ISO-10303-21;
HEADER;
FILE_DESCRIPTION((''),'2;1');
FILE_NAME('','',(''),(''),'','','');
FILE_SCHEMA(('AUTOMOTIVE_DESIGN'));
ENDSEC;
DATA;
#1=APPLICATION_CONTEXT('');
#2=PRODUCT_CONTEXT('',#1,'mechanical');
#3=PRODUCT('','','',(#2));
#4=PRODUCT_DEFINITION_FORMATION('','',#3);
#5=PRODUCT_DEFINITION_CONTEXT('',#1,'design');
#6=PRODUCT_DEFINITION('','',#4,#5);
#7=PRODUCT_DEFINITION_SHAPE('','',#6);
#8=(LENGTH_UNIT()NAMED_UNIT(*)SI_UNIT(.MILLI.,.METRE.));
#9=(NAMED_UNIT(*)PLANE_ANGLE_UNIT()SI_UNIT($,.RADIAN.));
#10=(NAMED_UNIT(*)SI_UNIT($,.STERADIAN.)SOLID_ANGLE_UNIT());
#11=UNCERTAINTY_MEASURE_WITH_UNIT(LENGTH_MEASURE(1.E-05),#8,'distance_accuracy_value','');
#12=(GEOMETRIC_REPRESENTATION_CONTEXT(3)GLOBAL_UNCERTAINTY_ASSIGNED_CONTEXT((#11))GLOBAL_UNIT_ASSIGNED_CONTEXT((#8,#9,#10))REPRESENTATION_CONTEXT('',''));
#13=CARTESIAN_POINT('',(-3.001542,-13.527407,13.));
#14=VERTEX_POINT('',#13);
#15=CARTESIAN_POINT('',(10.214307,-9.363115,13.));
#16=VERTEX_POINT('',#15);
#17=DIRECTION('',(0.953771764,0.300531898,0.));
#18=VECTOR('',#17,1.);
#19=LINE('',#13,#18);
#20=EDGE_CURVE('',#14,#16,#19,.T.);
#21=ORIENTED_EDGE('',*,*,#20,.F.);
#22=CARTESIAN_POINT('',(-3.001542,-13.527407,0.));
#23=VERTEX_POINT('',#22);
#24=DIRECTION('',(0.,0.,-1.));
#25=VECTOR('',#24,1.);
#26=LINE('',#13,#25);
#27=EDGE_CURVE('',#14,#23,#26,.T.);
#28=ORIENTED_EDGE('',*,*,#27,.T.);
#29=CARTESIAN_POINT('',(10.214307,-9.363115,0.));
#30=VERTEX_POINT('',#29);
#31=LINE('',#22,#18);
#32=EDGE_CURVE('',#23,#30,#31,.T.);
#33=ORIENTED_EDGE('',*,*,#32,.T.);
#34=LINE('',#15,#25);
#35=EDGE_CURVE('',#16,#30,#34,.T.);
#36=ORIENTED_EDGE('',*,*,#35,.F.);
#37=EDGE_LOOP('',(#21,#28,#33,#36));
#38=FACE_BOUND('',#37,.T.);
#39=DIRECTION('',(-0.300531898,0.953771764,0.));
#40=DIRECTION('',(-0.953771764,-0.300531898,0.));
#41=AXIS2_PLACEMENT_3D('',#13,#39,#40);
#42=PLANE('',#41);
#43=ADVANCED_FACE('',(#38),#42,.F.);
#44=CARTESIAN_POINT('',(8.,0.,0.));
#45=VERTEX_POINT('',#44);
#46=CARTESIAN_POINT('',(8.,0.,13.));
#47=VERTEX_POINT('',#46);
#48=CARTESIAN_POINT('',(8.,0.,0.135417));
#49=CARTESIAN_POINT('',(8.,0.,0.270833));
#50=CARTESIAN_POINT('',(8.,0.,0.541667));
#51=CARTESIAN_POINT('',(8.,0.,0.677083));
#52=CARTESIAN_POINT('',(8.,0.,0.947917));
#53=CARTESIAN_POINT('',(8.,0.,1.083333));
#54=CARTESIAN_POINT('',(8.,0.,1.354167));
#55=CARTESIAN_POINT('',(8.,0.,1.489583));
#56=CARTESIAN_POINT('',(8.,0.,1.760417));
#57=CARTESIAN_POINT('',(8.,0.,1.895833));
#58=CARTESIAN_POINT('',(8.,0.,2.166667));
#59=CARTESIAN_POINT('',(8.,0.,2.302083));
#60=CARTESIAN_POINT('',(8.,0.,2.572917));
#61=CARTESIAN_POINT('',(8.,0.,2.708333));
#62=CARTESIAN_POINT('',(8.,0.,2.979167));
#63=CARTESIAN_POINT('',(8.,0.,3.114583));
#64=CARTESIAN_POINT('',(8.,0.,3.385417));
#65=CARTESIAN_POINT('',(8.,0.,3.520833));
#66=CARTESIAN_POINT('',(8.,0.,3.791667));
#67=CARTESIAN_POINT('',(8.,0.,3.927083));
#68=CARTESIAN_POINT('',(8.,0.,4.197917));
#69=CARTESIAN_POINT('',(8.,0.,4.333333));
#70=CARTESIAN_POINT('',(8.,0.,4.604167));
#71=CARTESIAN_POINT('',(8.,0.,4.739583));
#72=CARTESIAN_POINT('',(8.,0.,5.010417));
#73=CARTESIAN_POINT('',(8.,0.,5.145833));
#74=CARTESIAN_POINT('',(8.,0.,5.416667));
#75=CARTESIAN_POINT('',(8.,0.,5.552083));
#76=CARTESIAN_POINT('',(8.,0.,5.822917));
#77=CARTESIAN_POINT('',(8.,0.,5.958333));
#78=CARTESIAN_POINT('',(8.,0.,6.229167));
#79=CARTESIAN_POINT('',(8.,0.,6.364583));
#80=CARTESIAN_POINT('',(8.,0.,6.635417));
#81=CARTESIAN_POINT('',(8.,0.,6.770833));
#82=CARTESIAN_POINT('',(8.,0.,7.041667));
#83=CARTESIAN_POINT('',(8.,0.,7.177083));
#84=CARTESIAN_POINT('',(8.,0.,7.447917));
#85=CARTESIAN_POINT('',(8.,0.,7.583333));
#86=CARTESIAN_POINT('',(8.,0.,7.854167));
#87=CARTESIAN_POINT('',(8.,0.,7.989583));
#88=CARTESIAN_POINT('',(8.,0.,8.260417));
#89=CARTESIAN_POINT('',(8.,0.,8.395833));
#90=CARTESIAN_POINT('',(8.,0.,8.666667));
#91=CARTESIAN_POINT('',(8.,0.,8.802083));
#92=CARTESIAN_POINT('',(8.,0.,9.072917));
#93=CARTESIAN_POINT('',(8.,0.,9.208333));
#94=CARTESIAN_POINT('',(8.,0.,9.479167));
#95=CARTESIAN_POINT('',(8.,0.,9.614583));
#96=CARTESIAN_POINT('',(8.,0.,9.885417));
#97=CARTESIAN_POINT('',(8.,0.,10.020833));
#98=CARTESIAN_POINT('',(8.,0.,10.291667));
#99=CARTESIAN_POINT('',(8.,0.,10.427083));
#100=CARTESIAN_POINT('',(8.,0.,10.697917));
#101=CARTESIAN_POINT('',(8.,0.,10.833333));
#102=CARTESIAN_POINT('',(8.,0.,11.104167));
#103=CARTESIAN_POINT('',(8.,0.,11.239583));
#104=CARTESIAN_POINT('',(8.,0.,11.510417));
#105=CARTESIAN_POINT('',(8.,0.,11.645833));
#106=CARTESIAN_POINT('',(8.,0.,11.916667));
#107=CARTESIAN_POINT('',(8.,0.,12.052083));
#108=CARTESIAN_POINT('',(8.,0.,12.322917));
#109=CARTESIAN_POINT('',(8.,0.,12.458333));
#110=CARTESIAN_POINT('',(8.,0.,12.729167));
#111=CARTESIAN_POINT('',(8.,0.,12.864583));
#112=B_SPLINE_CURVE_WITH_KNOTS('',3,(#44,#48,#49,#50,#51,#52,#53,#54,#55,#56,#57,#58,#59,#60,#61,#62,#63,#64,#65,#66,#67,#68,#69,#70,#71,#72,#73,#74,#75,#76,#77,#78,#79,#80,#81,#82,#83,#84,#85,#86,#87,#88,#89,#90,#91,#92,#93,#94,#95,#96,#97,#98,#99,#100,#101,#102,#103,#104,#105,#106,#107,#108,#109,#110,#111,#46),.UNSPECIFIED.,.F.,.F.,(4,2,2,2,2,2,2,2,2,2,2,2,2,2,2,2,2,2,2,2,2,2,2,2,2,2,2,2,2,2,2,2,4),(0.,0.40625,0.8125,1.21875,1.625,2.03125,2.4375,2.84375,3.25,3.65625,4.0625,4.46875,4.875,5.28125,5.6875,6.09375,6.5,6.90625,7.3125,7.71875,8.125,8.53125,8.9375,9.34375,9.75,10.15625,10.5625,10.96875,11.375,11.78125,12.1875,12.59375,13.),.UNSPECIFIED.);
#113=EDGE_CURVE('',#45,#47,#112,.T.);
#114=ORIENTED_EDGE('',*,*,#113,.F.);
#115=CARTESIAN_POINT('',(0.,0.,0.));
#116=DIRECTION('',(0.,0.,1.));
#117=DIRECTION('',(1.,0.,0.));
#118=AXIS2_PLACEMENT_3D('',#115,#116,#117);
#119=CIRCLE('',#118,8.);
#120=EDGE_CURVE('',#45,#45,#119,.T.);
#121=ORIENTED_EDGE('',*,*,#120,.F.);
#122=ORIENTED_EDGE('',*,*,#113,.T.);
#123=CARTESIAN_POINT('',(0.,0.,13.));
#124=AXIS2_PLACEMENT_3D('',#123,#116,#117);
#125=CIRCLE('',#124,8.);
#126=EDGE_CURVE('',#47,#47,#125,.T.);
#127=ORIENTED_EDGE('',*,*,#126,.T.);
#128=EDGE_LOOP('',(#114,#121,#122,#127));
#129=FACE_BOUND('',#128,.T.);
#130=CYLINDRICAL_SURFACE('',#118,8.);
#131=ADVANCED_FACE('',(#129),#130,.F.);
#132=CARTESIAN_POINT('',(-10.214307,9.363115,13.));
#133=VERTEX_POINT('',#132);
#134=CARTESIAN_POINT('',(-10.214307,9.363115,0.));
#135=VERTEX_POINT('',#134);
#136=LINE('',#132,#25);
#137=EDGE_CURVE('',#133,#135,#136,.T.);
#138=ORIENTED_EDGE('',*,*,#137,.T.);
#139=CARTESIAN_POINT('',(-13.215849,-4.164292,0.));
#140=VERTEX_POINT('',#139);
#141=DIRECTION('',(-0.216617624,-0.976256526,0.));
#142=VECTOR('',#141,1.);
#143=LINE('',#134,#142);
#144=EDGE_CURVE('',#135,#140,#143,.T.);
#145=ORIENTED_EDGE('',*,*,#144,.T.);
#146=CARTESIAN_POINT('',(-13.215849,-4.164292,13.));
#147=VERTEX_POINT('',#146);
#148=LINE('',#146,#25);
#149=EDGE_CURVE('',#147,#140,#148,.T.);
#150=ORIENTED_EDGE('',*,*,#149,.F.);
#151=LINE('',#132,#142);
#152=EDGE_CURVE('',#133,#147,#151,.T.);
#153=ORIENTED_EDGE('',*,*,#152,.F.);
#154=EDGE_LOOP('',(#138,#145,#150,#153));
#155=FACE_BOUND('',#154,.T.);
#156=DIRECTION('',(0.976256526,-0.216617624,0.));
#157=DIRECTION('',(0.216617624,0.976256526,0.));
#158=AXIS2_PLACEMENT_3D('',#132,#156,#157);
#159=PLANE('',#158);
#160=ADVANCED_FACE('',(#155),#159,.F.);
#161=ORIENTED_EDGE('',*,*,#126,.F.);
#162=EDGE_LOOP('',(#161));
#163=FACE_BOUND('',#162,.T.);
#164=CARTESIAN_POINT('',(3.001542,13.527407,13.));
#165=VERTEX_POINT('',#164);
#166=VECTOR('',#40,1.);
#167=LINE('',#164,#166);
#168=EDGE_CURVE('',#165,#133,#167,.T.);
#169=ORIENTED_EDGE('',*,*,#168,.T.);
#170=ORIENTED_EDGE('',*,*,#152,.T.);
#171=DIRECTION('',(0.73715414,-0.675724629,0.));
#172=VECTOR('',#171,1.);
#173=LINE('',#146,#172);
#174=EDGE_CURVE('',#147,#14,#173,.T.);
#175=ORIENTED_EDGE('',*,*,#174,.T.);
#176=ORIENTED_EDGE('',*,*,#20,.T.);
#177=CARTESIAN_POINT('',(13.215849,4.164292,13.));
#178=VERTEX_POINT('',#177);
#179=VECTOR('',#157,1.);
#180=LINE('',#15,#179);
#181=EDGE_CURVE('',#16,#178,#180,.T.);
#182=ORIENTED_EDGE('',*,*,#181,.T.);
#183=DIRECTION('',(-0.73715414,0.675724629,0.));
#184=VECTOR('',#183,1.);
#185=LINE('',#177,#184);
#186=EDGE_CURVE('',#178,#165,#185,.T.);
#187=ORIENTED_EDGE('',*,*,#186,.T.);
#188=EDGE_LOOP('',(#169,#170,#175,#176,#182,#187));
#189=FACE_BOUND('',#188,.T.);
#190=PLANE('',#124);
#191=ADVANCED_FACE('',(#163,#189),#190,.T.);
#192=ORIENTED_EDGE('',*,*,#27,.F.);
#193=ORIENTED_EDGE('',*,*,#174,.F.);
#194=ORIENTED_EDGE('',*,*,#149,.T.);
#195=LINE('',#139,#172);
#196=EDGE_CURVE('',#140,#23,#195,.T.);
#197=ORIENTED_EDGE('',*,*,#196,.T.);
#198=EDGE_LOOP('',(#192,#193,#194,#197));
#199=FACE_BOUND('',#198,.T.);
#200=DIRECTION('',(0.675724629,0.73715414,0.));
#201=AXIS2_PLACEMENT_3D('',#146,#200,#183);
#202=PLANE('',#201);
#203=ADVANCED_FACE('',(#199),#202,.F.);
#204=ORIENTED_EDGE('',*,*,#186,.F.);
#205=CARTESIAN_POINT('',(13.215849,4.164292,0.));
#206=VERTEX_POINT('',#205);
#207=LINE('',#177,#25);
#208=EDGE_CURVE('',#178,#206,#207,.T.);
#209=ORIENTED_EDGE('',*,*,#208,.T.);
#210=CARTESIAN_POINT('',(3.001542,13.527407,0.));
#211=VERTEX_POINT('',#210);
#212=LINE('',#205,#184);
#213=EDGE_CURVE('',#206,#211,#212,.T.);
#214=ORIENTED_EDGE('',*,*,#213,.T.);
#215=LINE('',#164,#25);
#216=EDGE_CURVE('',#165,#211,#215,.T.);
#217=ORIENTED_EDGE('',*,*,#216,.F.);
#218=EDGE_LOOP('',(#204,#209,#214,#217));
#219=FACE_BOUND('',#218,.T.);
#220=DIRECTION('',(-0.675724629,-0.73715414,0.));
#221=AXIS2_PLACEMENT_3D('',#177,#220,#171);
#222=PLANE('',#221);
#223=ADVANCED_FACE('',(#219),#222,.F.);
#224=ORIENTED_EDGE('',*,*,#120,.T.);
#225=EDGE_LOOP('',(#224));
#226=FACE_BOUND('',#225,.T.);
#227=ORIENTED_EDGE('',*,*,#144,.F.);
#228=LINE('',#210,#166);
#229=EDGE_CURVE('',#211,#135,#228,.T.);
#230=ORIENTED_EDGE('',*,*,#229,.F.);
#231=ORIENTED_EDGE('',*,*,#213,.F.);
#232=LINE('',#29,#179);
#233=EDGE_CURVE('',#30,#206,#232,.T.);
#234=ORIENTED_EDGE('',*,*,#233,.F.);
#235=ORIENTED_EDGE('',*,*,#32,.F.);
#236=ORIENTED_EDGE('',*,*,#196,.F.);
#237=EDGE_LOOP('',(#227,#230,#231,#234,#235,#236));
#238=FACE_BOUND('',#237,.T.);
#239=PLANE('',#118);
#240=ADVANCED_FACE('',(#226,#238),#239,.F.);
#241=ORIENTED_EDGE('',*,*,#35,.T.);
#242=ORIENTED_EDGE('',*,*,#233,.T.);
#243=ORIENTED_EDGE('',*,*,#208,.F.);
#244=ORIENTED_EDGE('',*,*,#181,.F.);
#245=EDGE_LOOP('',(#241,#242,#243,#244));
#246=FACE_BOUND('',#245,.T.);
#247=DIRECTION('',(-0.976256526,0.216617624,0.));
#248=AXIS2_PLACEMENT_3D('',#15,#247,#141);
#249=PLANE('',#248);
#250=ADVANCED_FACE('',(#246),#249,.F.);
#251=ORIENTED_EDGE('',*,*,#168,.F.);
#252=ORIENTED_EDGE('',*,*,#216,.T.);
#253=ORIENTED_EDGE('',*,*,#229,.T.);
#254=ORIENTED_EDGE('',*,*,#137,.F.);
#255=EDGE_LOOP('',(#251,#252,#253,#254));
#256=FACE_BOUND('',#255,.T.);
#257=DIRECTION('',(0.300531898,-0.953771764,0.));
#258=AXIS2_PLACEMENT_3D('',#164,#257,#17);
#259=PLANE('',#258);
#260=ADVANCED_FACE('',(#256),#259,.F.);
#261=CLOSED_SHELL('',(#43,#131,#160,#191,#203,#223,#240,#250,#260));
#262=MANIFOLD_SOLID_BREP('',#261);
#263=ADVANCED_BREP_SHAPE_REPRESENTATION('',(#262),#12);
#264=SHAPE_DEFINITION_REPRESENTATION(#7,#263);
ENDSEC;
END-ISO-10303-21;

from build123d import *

# Parameters (mm, degrees)
EXTRUDE_1_DEPTH     = 13
SKETCH_2_R          = 8
CUT_EXTRUDE_1_DEPTH = 23.948843492


with BuildPart() as part:
    # ｽｹｯﾁ1 → ﾎﾞｽ - 押し出し1 (new body)
    with BuildSketch(Plane.XY):
        Polygon((10.214307391, -9.363115108), (13.215849238, 4.164292128), (3.001541847, 13.527407236), (-10.214307391, 9.363115108), (-13.215849238, -4.164292128), (-3.001541847, -13.527407236), align=None)
    extrude(amount=EXTRUDE_1_DEPTH)

    # ｽｹｯﾁ2 → ｶｯﾄ - 押し出し1 (cut, through all)
    with BuildSketch(Plane.XY.offset(13)):
        Circle(SKETCH_2_R)
    extrude(amount=-CUT_EXTRUDE_1_DEPTH, mode=Mode.SUBTRACT)


solid = part.part
